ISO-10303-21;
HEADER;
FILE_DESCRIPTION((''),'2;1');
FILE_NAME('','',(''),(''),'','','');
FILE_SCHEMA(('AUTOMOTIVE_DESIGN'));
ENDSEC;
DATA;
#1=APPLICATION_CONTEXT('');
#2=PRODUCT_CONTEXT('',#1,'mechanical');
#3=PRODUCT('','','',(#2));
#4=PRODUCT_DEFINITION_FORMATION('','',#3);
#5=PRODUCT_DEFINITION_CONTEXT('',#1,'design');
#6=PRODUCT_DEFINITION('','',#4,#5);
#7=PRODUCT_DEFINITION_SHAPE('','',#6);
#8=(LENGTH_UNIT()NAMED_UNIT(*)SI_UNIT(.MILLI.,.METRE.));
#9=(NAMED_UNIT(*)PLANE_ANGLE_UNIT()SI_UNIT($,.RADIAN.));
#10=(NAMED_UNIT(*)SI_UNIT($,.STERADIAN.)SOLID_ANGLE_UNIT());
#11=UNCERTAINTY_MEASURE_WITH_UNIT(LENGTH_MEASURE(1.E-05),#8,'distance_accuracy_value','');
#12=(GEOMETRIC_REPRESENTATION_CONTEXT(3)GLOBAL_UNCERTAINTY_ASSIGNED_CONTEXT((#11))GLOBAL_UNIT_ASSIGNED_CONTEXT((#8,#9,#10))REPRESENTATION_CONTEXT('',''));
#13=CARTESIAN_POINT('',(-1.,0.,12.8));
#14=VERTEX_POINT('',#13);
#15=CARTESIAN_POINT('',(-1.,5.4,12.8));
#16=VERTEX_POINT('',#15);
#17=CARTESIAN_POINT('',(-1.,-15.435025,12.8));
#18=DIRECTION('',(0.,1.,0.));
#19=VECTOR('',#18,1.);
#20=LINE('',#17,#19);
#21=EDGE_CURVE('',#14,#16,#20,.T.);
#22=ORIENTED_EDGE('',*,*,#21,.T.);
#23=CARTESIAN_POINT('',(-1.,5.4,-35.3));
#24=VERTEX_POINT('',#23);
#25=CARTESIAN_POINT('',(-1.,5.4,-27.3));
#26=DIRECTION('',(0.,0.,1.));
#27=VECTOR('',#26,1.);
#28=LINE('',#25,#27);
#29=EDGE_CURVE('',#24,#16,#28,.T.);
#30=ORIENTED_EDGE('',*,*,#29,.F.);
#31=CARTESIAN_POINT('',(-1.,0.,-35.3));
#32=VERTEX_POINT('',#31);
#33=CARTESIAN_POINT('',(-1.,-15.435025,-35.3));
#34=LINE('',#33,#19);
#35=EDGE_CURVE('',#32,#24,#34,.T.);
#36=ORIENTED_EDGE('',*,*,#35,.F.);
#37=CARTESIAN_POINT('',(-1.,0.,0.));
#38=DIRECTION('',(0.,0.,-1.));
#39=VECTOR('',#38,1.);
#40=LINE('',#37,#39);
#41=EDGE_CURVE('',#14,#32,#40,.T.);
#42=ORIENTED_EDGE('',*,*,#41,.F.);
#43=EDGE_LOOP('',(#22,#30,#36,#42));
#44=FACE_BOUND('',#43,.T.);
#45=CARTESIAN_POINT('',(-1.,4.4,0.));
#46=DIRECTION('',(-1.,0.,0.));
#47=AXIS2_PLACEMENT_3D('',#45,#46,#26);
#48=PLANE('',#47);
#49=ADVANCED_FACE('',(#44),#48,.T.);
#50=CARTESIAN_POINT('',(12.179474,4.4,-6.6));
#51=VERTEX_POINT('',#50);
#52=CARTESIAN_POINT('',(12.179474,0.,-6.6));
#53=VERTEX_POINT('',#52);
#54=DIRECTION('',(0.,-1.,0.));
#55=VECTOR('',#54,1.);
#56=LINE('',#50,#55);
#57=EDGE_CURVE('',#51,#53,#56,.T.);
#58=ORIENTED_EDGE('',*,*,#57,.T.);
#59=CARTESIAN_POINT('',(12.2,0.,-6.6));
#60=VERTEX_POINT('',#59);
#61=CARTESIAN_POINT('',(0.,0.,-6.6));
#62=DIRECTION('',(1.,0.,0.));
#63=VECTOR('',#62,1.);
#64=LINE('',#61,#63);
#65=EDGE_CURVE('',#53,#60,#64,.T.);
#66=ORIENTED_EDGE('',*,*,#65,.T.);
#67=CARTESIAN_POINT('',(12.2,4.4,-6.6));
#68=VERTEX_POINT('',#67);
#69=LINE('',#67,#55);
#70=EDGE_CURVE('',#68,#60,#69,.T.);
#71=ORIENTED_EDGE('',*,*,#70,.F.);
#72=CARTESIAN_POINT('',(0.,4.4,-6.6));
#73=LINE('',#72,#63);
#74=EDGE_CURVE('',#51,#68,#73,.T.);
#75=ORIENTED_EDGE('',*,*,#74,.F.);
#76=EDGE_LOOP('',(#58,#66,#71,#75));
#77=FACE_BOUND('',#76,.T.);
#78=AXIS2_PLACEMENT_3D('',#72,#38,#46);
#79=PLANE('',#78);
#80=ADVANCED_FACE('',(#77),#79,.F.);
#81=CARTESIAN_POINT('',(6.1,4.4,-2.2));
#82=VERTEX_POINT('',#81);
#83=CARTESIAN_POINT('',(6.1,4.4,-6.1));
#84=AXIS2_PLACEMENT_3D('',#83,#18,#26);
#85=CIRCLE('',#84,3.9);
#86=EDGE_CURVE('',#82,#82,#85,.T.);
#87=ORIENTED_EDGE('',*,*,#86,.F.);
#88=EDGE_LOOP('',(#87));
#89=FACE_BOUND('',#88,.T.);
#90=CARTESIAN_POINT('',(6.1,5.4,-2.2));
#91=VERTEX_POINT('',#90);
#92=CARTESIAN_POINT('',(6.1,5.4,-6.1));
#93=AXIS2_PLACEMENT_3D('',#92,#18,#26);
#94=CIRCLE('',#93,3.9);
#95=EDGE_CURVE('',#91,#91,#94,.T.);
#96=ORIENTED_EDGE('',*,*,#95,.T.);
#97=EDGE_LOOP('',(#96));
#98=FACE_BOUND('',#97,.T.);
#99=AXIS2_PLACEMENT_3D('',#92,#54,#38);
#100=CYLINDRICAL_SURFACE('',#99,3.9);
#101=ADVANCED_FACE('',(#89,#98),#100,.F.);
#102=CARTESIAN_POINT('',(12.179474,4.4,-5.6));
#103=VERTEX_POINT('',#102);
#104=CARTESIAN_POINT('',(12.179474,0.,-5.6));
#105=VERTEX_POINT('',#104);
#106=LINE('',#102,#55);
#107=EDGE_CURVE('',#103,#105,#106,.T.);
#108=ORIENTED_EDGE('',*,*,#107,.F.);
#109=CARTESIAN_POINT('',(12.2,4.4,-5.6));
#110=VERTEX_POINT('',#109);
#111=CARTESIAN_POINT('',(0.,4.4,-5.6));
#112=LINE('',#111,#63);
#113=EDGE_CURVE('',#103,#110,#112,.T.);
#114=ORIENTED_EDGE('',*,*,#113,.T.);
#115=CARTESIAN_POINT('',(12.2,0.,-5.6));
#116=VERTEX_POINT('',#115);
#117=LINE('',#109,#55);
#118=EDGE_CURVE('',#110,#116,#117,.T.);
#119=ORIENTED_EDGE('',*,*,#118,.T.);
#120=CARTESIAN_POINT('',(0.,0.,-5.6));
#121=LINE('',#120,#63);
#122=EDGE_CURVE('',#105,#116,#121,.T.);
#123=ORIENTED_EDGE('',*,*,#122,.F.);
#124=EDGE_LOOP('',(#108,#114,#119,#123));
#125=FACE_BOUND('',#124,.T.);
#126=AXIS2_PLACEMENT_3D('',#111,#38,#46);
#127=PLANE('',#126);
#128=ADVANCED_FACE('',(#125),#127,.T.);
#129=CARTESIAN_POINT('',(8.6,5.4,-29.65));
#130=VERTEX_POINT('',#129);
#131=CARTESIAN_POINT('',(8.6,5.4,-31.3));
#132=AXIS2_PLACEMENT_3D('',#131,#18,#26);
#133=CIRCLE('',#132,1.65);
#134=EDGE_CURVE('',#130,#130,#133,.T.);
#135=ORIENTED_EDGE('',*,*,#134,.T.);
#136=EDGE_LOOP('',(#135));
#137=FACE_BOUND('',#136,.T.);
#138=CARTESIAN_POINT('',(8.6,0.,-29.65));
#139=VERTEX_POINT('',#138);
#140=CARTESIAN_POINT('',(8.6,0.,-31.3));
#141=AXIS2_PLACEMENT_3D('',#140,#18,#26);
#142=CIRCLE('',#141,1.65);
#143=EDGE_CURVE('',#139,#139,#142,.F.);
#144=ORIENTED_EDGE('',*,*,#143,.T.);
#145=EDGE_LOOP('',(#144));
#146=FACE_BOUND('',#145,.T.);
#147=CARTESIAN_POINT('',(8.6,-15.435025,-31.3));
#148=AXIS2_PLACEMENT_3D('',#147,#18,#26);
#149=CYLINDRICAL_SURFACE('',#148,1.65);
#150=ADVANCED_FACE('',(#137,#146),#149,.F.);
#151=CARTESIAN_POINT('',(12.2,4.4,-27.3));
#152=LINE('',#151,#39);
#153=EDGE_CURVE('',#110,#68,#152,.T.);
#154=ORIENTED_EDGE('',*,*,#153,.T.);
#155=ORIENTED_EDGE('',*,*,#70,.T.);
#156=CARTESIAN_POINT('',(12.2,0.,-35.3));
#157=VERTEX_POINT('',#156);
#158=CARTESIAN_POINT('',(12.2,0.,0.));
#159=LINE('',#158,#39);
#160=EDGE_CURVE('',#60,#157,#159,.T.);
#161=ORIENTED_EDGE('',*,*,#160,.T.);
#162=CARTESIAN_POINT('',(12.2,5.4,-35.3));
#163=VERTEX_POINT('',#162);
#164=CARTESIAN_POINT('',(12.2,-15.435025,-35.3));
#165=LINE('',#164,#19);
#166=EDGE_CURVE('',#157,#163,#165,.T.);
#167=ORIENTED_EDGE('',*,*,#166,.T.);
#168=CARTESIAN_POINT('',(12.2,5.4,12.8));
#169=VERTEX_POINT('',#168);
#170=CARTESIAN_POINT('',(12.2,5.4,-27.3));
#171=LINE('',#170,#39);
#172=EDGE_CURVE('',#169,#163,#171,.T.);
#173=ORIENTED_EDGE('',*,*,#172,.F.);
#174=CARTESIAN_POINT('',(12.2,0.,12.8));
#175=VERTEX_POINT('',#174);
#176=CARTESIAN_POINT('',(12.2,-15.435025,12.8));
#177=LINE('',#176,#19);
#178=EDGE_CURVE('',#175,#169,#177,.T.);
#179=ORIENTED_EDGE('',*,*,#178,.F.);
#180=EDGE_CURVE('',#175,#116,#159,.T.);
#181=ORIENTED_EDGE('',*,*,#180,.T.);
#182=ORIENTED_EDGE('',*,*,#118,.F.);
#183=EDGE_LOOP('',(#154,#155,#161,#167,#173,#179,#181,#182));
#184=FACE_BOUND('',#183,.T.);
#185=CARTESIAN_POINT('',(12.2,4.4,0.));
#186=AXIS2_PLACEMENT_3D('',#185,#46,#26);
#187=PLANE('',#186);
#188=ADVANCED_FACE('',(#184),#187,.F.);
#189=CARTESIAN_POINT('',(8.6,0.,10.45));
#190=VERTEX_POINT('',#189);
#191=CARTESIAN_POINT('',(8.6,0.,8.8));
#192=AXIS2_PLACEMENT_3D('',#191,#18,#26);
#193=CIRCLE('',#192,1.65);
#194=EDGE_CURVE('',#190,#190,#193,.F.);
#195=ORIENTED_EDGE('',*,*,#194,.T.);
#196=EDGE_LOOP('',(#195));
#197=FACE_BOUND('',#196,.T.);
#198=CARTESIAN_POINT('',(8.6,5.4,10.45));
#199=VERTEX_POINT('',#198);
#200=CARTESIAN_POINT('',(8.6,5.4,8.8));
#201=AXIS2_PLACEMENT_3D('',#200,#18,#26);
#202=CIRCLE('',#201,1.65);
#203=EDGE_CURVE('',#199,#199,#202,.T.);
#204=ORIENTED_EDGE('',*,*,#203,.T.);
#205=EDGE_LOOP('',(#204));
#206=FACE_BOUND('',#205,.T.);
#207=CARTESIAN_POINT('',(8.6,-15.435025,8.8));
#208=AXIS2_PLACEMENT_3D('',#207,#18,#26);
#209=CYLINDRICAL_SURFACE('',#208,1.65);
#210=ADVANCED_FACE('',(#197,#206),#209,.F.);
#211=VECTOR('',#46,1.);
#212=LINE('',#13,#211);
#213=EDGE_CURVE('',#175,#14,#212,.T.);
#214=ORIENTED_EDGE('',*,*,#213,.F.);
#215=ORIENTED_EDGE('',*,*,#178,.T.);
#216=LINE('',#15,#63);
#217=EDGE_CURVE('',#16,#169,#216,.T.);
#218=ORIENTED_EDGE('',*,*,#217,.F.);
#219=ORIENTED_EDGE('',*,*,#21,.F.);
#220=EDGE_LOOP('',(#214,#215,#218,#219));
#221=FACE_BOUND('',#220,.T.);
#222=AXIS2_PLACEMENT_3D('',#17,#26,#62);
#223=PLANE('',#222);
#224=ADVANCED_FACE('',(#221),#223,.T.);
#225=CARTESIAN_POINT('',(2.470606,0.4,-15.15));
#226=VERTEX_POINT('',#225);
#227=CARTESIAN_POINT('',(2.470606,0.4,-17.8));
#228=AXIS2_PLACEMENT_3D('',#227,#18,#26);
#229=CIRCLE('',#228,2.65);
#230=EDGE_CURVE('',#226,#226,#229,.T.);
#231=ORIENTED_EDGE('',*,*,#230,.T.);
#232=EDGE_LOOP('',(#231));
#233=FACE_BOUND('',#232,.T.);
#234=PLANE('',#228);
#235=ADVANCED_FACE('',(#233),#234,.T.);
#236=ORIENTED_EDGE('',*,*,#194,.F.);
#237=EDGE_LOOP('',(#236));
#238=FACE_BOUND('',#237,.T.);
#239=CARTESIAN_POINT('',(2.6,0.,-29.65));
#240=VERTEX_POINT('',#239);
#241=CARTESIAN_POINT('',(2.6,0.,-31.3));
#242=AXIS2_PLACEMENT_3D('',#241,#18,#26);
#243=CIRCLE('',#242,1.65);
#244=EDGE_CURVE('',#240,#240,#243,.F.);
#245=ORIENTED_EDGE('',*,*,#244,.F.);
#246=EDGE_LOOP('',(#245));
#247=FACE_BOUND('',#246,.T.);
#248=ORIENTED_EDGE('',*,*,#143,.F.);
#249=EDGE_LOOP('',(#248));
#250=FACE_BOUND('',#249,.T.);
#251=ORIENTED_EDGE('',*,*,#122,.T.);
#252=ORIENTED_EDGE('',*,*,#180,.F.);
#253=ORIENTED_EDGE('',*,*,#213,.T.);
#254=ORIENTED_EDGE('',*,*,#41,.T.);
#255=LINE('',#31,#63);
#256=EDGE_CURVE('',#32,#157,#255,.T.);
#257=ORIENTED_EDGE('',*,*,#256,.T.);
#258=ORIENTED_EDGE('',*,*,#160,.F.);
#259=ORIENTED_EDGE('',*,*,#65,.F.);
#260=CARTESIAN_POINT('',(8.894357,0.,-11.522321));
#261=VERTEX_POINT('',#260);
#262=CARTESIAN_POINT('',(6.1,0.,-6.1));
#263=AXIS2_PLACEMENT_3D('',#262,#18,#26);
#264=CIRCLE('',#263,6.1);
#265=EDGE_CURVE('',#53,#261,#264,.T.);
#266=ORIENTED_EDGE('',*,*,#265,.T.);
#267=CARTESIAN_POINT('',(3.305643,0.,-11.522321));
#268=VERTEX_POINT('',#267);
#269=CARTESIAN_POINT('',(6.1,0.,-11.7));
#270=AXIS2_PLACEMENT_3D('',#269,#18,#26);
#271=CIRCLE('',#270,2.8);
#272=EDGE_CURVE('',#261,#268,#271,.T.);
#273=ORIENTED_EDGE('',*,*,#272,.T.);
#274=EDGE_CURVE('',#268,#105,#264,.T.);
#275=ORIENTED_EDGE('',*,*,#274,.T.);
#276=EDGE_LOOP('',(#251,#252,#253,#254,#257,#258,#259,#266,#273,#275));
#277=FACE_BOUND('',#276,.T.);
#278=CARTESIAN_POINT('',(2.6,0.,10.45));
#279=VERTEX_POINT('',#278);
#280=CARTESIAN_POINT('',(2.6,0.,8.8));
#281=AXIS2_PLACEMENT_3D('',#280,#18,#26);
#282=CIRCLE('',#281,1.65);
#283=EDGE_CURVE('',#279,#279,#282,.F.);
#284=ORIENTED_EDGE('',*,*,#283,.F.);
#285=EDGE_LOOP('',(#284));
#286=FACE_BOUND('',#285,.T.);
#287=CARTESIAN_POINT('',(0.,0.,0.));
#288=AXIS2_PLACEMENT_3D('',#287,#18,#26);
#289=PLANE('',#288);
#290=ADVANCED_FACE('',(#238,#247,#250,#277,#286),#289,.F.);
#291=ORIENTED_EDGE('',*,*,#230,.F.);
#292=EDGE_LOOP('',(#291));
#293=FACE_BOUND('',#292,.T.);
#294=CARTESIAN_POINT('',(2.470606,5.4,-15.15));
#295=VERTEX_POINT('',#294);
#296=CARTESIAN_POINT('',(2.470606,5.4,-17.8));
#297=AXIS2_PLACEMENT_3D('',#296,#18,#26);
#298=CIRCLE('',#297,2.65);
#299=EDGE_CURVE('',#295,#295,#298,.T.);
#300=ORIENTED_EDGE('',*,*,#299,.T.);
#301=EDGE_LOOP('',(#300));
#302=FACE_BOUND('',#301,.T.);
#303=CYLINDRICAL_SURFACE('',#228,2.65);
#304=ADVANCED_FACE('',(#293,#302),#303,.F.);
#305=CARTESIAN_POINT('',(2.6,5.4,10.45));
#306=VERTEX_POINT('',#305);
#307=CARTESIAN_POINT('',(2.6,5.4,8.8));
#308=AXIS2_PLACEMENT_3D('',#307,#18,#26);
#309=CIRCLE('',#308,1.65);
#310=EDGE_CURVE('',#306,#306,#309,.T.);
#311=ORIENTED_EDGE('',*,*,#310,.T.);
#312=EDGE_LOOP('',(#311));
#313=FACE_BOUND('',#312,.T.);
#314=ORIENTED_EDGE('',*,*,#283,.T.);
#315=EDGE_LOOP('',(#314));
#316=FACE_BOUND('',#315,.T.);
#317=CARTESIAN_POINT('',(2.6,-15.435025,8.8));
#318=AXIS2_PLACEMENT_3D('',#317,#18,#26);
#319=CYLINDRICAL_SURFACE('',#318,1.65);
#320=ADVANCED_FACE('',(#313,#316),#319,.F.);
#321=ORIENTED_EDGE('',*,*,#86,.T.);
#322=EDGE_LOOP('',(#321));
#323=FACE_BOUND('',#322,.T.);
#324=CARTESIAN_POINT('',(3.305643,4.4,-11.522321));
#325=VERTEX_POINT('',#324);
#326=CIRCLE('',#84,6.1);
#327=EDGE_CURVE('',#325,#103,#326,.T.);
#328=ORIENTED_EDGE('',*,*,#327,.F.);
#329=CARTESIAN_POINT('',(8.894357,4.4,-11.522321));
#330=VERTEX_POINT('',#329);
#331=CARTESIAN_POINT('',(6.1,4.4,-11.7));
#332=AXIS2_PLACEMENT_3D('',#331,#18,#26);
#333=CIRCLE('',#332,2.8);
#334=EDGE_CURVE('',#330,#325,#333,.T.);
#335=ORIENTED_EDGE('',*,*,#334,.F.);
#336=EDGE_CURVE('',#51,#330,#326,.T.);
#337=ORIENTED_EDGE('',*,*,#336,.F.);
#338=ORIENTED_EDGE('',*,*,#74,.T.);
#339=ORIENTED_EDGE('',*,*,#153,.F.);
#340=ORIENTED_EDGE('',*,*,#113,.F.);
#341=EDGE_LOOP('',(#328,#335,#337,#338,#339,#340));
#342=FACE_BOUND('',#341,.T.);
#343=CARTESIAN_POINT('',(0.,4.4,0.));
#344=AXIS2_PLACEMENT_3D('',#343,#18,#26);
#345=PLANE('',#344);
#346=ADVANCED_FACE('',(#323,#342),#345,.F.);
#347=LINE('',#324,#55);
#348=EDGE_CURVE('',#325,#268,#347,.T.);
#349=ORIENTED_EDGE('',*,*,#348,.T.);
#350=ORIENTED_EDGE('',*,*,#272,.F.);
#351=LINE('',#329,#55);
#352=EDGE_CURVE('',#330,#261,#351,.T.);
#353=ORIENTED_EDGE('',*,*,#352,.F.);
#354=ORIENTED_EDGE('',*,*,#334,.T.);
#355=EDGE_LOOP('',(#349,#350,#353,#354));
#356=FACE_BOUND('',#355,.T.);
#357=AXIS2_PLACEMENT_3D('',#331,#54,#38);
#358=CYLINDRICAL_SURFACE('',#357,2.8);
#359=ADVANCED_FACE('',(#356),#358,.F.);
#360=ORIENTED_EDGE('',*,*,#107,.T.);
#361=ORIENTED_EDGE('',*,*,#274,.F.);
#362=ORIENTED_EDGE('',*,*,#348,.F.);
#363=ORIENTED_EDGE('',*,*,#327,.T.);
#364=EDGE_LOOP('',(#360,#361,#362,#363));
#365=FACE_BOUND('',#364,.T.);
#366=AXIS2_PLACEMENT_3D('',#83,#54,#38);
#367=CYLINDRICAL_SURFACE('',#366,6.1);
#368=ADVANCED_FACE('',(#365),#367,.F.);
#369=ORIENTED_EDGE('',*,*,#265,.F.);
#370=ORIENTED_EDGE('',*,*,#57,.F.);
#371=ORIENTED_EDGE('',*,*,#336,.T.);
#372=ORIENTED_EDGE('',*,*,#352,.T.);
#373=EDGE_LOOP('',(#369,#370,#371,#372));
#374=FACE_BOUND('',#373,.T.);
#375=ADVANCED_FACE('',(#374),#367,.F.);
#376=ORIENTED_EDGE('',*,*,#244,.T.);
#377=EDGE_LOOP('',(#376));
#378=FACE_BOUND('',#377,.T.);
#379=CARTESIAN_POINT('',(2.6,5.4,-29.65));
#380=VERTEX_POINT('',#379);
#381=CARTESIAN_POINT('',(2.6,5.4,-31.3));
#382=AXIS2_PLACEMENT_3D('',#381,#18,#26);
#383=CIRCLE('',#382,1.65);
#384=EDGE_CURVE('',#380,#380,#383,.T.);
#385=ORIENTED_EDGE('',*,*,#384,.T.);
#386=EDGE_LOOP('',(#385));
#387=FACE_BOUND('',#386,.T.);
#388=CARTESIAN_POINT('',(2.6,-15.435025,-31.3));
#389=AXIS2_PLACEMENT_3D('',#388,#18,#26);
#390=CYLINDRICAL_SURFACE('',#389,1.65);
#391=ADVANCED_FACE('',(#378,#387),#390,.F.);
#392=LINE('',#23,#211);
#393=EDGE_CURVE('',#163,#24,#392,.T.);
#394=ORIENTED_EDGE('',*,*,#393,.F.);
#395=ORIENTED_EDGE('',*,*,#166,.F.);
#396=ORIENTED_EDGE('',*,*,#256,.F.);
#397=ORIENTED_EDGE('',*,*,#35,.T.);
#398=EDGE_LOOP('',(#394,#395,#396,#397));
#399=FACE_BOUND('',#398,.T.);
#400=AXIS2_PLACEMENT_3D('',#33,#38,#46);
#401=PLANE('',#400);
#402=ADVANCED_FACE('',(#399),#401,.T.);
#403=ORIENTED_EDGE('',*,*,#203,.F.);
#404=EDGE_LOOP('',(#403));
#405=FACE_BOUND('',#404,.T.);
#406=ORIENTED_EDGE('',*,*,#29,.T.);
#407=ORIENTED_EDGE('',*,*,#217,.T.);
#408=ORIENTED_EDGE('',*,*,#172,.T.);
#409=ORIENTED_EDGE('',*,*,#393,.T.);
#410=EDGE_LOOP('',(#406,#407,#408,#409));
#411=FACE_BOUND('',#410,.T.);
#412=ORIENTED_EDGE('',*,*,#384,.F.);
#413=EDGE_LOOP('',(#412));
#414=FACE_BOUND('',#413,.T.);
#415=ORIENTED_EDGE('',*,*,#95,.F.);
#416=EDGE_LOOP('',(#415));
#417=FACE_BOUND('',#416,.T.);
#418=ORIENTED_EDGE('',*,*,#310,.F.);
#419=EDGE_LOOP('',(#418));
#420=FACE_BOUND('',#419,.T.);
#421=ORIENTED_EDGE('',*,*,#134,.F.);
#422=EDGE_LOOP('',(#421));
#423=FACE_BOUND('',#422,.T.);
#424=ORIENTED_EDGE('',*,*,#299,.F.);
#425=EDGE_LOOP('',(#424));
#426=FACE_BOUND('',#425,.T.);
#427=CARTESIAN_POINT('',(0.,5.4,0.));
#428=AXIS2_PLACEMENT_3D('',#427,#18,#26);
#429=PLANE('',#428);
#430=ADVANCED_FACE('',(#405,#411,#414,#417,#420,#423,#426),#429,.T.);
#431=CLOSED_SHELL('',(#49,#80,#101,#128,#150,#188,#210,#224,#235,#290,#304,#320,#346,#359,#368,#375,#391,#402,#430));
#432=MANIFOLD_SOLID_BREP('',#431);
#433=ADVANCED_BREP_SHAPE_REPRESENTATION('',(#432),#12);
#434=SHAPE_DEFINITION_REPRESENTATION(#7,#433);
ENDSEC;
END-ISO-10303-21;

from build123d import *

# Parameters (mm, degrees)
BOSS_EXTRUDE1_DEPTH = 4.4
SKETCH2_R           = 2.65
CUT_EXTRUDE1_DEPTH  = 4
SKETCH5_W           = 13.2
SKETCH5_H           = 32.1
SKETCH5_R           = 2.65
SKETCH5_R_2         = 3.9
BOSS_EXTRUDE5_DEPTH = 1
SKETCH7_W           = 13.2
SKETCH7_H           = 8
SKETCH7_R           = 1.65
BOSS_EXTRUDE7_DEPTH = 5.4


with BuildPart() as part:
    # Sketch1 → Boss-Extrude1 (new body)
    with BuildSketch(Plane(origin=(0, 0, 0), x_dir=(1, 0, 0), z_dir=(0, 1, 0))):
        with BuildLine():
            ThreePointArc((8.894356871, 11.522321429), (11.17380815, 9.48621778), (12.179473661, 6.6))
            Line((12.179473661, 6.6), (12.2, 6.6))
            Line((12.2, 6.6), (12.2, 22.5))
            Line((12.2, 22.5), (12.2, 27.3))
            Line((12.2, 27.3), (-1, 27.3))
            Line((-1, 27.3), (-1, -4.8))
            Line((-1, -4.8), (12.2, -4.8))
            Line((12.2, -4.8), (12.2, 0))
            Line((12.2, 0), (12.2, 5.6))
            Line((12.2, 5.6), (12.179473661, 5.6))
            ThreePointArc((12.179473661, 5.6), (2.71378222, 1.02619185), (3.305643129, 11.522321429))
            ThreePointArc((3.305643129, 11.522321429), (6.1, 14.5), (8.894356871, 11.522321429))
        make_face()
    extrude(amount=BOSS_EXTRUDE1_DEPTH)

    # Sketch2 → Cut-Extrude1 (cut)
    with BuildSketch(Plane(origin=(0, 4.4, 0), x_dir=(1, 0, 0), z_dir=(0, 1, 0))):
        with Locations((2.470606111, 17.8)):
            Circle(SKETCH2_R)
    extrude(amount=-CUT_EXTRUDE1_DEPTH, mode=Mode.SUBTRACT)

    # Sketch5 → Boss-Extrude5 (add)
    with BuildSketch(Plane(origin=(0, 4.4, 0), x_dir=(1, 0, 0), z_dir=(0, 1, 0))):
        with Locations((5.6, 11.25)):
            Rectangle(SKETCH5_W, SKETCH5_H)
        with Locations((2.470606111, 17.8)):
            Circle(SKETCH5_R, mode=Mode.SUBTRACT)
        with Locations((6.1, 6.1)):
            Circle(SKETCH5_R_2, mode=Mode.SUBTRACT)
    extrude(amount=BOSS_EXTRUDE5_DEPTH)

    # Sketch7 → Boss-Extrude7 (add)
    with BuildSketch(Plane(origin=(0, 5.4, 0), x_dir=(1, 0, 0), z_dir=(0, 1, 0))):
        with Locations((5.6, -8.8)):
            Rectangle(SKETCH7_W, SKETCH7_H)
        with Locations((8.6, -8.8)):
            Circle(SKETCH7_R, mode=Mode.SUBTRACT)
        with Locations((2.6, -8.8)):
            Circle(SKETCH7_R, mode=Mode.SUBTRACT)
        with Locations((5.6, 31.3)):
            Rectangle(SKETCH7_W, SKETCH7_H)
        with Locations((8.6, 31.3)):
            Circle(SKETCH7_R, mode=Mode.SUBTRACT)
        with Locations((2.6, 31.3)):
            Circle(SKETCH7_R, mode=Mode.SUBTRACT)
    extrude(amount=-BOSS_EXTRUDE7_DEPTH)


solid = part.part
